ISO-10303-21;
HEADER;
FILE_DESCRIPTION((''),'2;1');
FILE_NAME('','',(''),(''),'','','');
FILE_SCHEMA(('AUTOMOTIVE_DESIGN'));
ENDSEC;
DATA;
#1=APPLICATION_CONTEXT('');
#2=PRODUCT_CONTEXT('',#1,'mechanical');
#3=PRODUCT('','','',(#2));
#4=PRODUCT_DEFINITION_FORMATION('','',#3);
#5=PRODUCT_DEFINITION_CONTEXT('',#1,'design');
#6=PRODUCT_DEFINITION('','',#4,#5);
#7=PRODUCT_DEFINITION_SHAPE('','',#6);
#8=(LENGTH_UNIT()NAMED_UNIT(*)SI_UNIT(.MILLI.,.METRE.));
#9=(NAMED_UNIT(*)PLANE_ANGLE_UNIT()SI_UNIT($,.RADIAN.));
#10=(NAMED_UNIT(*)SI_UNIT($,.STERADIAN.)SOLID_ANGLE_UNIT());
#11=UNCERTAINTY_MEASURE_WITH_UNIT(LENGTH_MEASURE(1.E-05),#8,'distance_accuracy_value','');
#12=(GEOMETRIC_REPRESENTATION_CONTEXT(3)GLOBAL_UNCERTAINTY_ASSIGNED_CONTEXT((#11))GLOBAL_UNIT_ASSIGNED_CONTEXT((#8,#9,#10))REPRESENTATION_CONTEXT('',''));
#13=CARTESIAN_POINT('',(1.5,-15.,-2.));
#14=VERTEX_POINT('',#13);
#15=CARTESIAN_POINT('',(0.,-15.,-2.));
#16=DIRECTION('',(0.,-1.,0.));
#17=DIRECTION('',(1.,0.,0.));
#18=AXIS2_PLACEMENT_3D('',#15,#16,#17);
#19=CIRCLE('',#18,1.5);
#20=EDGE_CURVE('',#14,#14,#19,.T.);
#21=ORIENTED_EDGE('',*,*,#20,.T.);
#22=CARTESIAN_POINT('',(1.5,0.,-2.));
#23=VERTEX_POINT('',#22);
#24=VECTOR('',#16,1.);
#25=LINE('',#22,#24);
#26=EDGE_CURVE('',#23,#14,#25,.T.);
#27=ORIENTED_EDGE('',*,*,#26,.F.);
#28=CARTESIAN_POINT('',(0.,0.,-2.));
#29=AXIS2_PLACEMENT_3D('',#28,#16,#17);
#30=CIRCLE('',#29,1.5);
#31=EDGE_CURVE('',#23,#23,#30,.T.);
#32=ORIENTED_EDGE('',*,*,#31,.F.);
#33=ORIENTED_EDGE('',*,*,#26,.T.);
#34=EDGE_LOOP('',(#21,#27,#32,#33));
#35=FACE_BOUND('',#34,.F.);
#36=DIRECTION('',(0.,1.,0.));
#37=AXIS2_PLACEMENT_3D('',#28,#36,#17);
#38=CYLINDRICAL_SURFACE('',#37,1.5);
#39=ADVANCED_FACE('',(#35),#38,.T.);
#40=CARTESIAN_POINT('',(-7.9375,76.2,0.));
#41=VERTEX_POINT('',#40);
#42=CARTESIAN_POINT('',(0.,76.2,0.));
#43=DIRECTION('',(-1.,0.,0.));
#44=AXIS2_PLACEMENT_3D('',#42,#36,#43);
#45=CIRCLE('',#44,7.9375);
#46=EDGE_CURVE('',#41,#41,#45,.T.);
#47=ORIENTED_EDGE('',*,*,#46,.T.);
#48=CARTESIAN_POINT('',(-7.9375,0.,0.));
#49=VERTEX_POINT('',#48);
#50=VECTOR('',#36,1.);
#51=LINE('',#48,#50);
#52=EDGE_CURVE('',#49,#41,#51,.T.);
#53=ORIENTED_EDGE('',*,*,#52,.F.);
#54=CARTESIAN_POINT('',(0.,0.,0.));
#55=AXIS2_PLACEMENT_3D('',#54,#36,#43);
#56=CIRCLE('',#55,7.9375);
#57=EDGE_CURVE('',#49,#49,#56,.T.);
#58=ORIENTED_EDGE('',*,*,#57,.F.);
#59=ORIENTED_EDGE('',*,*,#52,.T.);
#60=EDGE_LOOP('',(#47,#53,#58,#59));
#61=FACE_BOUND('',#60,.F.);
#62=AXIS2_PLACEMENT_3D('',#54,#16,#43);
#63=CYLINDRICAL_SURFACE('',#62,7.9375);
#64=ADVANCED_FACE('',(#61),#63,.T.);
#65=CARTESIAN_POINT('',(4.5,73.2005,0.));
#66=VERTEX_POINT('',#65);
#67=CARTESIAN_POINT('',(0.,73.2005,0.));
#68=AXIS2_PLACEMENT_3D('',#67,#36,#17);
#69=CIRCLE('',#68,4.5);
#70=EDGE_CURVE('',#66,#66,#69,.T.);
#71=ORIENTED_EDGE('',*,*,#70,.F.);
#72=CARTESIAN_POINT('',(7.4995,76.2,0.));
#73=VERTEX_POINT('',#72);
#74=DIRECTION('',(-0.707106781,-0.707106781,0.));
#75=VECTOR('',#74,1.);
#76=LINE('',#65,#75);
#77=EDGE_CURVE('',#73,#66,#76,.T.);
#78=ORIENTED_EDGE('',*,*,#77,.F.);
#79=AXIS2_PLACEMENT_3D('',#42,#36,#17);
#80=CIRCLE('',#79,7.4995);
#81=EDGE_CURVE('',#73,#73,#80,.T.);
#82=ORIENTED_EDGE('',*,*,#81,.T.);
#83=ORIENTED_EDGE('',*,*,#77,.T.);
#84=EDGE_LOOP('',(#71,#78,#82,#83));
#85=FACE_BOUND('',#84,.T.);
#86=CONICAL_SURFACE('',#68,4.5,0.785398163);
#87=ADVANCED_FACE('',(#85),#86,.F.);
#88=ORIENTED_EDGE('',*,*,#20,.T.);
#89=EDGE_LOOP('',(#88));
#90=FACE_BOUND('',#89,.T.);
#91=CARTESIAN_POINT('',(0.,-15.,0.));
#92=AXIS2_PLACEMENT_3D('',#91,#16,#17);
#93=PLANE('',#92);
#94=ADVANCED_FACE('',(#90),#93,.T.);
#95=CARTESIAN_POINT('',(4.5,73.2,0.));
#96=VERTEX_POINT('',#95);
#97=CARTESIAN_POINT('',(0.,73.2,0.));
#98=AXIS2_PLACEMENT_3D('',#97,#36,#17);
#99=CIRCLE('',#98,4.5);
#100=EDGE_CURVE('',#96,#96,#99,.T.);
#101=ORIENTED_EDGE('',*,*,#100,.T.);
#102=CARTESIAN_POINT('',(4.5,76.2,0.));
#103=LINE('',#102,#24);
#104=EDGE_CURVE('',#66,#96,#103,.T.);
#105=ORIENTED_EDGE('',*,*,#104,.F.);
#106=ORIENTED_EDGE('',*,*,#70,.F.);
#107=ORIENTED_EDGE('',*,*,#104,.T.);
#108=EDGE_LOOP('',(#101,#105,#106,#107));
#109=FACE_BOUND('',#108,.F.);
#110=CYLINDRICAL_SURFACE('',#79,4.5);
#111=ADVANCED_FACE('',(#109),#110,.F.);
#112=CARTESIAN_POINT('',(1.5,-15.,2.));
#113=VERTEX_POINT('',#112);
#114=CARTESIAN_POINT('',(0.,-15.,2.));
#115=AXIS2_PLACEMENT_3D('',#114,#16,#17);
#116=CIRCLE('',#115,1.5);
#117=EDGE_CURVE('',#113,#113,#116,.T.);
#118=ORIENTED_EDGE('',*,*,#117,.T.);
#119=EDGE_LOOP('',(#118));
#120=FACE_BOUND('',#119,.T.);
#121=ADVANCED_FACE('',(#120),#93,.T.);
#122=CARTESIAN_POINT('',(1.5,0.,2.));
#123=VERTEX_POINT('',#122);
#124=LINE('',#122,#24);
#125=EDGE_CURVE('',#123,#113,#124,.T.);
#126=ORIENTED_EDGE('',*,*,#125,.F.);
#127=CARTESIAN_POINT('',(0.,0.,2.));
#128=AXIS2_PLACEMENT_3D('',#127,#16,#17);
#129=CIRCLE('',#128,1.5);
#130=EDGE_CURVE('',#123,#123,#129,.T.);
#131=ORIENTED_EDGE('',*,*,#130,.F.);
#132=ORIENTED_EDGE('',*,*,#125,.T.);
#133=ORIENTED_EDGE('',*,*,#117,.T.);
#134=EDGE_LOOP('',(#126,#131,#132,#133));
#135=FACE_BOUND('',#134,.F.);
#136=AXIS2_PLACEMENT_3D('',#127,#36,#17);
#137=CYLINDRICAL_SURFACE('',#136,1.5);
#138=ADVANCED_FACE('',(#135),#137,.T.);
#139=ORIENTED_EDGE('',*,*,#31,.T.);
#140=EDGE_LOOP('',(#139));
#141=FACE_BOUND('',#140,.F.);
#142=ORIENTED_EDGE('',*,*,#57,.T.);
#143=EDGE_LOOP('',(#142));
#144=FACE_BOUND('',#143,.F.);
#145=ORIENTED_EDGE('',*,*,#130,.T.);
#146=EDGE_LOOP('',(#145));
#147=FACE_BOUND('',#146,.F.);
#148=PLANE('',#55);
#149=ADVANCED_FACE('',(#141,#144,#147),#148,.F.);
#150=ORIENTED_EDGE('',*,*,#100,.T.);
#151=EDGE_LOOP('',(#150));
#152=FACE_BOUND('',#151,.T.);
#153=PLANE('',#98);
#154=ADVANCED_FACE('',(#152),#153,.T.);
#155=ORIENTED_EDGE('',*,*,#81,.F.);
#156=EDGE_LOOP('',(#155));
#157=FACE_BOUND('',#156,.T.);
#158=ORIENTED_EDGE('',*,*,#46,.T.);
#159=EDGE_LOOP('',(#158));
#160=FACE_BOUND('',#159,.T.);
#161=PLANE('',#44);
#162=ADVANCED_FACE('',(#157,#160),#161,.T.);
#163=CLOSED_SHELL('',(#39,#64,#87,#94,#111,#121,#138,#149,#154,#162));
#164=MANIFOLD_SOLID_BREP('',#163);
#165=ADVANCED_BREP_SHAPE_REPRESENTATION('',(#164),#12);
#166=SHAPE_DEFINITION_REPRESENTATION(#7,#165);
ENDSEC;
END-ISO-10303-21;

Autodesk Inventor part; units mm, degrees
ref_plane "YZ Plane" through (0, 0, 0) normal (1, 0, 0) x (0, 1, 0)
ref_plane "XZ Plane" through (0, 0, 0) normal (0, 1, 0) x (-1, 0, 0)
ref_plane "XY Plane" through (0, 0, 0) normal (0, 0, 1) x (1, 0, 0)
sketch "Sketch1" plane through (0, 0, 0) normal (0, 1, 0) x (-1, 0, 0)
  circle A0 centre (0, 0) radius 7.9375
  dimension "d0" = 15.875
extrude "Extrusion1" add sketch "Sketch1" along normal blind 76.2
sketch "Sketch2" plane through (0, 76.2, 0) normal (0, 1, 0) x (1, 0, 0)
  circle A0 centre (0, 0) radius 4.5
  dimension "d3" = 9
extrude "Extrusion2" cut sketch "Sketch2" against normal blind 3
chamfer "Chamfer1" distance 3 angle 45 1 edges at (-4.5, 76.2, 0)
sketch "Sketch3" plane through (0, 0, 0) normal (0, -1, 0) x (1, 0, 0)
  circle A0 centre (0, 2) radius 1.5
  circle A1 centre (0, -2) radius 1.5
  point P0 (0, 0)
  dimension "d9" = 3
  dimension "d10" = 3
  dimension "d11" = 2
  dimension "d12" = 2
extrude "Extrusion3" add sketch "Sketch3" along normal blind 15
properties part number "Heater630W" material "Steel, Alloy"
